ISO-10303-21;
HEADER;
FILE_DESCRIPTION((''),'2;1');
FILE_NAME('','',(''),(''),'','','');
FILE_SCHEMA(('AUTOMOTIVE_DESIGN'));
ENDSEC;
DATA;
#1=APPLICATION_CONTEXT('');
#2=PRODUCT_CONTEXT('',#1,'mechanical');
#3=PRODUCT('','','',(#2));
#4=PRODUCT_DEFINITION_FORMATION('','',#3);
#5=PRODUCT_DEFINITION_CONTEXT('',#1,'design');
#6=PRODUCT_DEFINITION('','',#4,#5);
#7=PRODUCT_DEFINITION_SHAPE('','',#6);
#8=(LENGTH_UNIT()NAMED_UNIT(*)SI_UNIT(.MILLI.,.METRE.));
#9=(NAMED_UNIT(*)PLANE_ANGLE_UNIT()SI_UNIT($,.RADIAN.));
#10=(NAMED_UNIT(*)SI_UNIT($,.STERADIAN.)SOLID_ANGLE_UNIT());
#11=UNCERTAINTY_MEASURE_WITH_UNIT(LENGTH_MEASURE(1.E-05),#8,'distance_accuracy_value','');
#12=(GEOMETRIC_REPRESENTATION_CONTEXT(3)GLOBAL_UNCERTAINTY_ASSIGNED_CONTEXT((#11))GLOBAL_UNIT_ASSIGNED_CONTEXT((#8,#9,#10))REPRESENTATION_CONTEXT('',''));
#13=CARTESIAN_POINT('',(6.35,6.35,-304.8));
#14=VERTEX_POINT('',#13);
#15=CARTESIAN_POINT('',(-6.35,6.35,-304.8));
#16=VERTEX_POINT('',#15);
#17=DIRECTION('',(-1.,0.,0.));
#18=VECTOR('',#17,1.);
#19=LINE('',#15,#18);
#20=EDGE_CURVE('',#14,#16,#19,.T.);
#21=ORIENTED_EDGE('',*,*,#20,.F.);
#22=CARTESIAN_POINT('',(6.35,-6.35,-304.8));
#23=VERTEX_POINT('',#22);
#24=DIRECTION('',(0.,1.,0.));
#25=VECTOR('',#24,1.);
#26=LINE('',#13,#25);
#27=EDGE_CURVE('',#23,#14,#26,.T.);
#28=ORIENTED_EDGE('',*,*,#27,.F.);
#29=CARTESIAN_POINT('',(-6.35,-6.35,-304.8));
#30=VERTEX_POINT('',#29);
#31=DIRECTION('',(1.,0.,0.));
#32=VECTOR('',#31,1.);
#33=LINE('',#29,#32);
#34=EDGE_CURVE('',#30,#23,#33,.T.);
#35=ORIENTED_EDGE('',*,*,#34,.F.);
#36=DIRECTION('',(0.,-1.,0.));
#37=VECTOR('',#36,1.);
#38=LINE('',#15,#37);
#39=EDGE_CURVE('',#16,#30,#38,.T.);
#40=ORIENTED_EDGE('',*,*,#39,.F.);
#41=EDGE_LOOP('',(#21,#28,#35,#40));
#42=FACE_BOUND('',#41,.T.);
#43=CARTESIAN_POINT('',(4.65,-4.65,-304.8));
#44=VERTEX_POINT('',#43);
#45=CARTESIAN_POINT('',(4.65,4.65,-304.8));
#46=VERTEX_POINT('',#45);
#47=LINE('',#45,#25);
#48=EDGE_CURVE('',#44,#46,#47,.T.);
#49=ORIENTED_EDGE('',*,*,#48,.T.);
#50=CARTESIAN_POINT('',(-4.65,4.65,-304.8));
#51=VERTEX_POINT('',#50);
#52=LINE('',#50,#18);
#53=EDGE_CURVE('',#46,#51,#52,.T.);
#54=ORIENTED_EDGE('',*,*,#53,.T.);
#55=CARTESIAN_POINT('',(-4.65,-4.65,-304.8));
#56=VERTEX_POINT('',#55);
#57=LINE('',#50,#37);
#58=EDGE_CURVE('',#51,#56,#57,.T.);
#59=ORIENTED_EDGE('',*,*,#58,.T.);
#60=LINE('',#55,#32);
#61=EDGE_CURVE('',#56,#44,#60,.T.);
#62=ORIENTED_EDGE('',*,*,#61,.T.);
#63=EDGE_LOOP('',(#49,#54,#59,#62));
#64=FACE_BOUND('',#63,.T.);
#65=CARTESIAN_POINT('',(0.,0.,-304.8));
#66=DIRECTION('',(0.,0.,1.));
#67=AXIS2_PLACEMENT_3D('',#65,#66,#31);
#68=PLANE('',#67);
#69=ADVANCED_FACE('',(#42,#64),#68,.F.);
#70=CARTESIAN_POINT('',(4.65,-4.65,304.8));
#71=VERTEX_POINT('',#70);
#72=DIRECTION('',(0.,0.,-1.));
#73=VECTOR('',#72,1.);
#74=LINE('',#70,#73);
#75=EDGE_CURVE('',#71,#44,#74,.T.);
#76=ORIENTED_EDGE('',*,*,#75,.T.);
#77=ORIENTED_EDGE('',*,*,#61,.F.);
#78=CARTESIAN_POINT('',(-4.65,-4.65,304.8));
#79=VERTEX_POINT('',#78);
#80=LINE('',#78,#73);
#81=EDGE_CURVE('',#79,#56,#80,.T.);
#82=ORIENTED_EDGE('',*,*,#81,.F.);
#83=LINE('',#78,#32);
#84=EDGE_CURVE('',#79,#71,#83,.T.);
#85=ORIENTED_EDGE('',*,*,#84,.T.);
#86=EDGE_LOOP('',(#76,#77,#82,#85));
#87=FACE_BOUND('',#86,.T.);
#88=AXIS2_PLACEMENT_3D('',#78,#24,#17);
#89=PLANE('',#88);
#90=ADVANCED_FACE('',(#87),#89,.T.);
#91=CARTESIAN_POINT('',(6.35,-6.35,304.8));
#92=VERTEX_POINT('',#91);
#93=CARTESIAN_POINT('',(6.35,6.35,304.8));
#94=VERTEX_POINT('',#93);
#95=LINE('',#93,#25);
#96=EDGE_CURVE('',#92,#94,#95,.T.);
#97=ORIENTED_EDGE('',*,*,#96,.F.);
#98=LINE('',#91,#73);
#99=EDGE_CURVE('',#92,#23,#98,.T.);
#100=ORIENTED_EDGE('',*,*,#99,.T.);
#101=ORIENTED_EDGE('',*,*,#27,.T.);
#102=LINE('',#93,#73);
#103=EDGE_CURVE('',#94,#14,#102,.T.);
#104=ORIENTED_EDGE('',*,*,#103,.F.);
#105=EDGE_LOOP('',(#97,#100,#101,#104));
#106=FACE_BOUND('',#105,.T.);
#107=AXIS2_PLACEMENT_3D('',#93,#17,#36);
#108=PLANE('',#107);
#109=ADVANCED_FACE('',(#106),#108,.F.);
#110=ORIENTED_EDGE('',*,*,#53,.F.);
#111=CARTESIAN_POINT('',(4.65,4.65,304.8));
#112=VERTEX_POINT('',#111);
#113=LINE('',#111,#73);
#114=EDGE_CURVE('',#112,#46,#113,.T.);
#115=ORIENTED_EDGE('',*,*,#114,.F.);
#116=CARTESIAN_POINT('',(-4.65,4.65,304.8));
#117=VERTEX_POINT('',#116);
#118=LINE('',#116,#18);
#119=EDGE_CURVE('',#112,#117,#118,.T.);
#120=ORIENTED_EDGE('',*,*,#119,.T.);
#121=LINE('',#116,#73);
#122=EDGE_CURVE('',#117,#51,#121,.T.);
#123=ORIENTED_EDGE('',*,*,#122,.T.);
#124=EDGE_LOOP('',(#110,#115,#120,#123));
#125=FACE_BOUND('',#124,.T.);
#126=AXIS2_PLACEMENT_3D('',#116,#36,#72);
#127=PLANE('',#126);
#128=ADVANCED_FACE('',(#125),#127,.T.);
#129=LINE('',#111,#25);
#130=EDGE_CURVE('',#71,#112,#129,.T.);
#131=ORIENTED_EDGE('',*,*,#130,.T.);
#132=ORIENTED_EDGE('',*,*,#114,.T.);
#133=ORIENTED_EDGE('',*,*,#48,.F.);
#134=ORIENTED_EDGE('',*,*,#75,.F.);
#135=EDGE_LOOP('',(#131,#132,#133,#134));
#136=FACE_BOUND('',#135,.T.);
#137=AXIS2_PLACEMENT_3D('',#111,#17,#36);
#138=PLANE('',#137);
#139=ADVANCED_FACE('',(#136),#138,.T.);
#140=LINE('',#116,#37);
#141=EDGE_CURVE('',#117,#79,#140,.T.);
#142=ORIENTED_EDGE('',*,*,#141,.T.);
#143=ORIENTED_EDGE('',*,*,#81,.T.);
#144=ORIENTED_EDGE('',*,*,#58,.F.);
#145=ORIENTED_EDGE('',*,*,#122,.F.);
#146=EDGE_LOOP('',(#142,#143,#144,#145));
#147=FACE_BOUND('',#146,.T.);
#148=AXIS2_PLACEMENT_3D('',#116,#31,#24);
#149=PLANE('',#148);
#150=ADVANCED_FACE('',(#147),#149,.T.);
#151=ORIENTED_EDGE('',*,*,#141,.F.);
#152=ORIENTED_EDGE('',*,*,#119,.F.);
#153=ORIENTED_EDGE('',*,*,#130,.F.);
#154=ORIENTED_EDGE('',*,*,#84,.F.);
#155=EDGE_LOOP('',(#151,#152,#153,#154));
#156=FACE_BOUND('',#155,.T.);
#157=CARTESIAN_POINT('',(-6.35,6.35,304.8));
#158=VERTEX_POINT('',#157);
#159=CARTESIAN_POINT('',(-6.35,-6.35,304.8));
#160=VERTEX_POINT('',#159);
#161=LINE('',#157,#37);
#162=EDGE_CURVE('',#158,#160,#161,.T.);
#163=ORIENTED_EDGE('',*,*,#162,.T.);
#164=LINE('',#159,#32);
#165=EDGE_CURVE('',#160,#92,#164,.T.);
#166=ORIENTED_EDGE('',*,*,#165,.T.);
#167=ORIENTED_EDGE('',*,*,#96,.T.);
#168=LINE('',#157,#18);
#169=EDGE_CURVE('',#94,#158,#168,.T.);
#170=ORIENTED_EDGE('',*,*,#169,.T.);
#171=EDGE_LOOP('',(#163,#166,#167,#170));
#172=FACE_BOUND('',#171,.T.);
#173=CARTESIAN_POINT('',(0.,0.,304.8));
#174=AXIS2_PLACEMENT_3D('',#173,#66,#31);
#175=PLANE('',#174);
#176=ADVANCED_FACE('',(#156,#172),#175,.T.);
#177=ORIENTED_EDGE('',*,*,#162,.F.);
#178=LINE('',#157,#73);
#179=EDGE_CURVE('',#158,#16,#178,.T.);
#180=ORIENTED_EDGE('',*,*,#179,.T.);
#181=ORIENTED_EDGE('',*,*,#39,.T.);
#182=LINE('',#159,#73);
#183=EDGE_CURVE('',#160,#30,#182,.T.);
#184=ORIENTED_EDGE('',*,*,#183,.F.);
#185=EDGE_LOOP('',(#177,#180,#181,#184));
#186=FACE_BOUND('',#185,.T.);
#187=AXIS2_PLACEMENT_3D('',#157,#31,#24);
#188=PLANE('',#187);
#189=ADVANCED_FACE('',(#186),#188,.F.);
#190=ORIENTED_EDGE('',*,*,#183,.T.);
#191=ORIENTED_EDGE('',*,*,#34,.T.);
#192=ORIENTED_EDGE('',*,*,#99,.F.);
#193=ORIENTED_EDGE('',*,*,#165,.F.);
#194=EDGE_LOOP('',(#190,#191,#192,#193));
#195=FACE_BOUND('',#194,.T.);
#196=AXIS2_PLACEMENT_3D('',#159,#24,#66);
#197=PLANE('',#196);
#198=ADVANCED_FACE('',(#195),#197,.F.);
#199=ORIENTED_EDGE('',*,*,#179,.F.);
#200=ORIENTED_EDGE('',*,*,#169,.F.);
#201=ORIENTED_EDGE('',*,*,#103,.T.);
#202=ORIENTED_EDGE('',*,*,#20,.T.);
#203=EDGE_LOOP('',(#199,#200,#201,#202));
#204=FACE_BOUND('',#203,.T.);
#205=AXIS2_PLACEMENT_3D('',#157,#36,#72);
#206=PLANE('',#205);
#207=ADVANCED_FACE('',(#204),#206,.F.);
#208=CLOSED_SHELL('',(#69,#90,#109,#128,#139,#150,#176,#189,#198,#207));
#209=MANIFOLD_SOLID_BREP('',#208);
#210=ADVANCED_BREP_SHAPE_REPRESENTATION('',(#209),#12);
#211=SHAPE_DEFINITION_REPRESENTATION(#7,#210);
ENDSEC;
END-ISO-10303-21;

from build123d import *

# Parameters (mm, degrees)
SKETCH1_W           = 12.7
SKETCH1_H           = 12.7
SKETCH1_W_2         = 9.3
SKETCH1_H_2         = 9.3
BOSS_EXTRUDE1_DEPTH = 304.8


with BuildPart() as part:
    # Sketch1 → Boss-Extrude1 (new, symmetric)
    with BuildSketch(Plane.XY):
        Rectangle(SKETCH1_W, SKETCH1_H)
        Rectangle(SKETCH1_W_2, SKETCH1_H_2, mode=Mode.SUBTRACT)
    extrude(amount=BOSS_EXTRUDE1_DEPTH, both=True)


solid = part.part
